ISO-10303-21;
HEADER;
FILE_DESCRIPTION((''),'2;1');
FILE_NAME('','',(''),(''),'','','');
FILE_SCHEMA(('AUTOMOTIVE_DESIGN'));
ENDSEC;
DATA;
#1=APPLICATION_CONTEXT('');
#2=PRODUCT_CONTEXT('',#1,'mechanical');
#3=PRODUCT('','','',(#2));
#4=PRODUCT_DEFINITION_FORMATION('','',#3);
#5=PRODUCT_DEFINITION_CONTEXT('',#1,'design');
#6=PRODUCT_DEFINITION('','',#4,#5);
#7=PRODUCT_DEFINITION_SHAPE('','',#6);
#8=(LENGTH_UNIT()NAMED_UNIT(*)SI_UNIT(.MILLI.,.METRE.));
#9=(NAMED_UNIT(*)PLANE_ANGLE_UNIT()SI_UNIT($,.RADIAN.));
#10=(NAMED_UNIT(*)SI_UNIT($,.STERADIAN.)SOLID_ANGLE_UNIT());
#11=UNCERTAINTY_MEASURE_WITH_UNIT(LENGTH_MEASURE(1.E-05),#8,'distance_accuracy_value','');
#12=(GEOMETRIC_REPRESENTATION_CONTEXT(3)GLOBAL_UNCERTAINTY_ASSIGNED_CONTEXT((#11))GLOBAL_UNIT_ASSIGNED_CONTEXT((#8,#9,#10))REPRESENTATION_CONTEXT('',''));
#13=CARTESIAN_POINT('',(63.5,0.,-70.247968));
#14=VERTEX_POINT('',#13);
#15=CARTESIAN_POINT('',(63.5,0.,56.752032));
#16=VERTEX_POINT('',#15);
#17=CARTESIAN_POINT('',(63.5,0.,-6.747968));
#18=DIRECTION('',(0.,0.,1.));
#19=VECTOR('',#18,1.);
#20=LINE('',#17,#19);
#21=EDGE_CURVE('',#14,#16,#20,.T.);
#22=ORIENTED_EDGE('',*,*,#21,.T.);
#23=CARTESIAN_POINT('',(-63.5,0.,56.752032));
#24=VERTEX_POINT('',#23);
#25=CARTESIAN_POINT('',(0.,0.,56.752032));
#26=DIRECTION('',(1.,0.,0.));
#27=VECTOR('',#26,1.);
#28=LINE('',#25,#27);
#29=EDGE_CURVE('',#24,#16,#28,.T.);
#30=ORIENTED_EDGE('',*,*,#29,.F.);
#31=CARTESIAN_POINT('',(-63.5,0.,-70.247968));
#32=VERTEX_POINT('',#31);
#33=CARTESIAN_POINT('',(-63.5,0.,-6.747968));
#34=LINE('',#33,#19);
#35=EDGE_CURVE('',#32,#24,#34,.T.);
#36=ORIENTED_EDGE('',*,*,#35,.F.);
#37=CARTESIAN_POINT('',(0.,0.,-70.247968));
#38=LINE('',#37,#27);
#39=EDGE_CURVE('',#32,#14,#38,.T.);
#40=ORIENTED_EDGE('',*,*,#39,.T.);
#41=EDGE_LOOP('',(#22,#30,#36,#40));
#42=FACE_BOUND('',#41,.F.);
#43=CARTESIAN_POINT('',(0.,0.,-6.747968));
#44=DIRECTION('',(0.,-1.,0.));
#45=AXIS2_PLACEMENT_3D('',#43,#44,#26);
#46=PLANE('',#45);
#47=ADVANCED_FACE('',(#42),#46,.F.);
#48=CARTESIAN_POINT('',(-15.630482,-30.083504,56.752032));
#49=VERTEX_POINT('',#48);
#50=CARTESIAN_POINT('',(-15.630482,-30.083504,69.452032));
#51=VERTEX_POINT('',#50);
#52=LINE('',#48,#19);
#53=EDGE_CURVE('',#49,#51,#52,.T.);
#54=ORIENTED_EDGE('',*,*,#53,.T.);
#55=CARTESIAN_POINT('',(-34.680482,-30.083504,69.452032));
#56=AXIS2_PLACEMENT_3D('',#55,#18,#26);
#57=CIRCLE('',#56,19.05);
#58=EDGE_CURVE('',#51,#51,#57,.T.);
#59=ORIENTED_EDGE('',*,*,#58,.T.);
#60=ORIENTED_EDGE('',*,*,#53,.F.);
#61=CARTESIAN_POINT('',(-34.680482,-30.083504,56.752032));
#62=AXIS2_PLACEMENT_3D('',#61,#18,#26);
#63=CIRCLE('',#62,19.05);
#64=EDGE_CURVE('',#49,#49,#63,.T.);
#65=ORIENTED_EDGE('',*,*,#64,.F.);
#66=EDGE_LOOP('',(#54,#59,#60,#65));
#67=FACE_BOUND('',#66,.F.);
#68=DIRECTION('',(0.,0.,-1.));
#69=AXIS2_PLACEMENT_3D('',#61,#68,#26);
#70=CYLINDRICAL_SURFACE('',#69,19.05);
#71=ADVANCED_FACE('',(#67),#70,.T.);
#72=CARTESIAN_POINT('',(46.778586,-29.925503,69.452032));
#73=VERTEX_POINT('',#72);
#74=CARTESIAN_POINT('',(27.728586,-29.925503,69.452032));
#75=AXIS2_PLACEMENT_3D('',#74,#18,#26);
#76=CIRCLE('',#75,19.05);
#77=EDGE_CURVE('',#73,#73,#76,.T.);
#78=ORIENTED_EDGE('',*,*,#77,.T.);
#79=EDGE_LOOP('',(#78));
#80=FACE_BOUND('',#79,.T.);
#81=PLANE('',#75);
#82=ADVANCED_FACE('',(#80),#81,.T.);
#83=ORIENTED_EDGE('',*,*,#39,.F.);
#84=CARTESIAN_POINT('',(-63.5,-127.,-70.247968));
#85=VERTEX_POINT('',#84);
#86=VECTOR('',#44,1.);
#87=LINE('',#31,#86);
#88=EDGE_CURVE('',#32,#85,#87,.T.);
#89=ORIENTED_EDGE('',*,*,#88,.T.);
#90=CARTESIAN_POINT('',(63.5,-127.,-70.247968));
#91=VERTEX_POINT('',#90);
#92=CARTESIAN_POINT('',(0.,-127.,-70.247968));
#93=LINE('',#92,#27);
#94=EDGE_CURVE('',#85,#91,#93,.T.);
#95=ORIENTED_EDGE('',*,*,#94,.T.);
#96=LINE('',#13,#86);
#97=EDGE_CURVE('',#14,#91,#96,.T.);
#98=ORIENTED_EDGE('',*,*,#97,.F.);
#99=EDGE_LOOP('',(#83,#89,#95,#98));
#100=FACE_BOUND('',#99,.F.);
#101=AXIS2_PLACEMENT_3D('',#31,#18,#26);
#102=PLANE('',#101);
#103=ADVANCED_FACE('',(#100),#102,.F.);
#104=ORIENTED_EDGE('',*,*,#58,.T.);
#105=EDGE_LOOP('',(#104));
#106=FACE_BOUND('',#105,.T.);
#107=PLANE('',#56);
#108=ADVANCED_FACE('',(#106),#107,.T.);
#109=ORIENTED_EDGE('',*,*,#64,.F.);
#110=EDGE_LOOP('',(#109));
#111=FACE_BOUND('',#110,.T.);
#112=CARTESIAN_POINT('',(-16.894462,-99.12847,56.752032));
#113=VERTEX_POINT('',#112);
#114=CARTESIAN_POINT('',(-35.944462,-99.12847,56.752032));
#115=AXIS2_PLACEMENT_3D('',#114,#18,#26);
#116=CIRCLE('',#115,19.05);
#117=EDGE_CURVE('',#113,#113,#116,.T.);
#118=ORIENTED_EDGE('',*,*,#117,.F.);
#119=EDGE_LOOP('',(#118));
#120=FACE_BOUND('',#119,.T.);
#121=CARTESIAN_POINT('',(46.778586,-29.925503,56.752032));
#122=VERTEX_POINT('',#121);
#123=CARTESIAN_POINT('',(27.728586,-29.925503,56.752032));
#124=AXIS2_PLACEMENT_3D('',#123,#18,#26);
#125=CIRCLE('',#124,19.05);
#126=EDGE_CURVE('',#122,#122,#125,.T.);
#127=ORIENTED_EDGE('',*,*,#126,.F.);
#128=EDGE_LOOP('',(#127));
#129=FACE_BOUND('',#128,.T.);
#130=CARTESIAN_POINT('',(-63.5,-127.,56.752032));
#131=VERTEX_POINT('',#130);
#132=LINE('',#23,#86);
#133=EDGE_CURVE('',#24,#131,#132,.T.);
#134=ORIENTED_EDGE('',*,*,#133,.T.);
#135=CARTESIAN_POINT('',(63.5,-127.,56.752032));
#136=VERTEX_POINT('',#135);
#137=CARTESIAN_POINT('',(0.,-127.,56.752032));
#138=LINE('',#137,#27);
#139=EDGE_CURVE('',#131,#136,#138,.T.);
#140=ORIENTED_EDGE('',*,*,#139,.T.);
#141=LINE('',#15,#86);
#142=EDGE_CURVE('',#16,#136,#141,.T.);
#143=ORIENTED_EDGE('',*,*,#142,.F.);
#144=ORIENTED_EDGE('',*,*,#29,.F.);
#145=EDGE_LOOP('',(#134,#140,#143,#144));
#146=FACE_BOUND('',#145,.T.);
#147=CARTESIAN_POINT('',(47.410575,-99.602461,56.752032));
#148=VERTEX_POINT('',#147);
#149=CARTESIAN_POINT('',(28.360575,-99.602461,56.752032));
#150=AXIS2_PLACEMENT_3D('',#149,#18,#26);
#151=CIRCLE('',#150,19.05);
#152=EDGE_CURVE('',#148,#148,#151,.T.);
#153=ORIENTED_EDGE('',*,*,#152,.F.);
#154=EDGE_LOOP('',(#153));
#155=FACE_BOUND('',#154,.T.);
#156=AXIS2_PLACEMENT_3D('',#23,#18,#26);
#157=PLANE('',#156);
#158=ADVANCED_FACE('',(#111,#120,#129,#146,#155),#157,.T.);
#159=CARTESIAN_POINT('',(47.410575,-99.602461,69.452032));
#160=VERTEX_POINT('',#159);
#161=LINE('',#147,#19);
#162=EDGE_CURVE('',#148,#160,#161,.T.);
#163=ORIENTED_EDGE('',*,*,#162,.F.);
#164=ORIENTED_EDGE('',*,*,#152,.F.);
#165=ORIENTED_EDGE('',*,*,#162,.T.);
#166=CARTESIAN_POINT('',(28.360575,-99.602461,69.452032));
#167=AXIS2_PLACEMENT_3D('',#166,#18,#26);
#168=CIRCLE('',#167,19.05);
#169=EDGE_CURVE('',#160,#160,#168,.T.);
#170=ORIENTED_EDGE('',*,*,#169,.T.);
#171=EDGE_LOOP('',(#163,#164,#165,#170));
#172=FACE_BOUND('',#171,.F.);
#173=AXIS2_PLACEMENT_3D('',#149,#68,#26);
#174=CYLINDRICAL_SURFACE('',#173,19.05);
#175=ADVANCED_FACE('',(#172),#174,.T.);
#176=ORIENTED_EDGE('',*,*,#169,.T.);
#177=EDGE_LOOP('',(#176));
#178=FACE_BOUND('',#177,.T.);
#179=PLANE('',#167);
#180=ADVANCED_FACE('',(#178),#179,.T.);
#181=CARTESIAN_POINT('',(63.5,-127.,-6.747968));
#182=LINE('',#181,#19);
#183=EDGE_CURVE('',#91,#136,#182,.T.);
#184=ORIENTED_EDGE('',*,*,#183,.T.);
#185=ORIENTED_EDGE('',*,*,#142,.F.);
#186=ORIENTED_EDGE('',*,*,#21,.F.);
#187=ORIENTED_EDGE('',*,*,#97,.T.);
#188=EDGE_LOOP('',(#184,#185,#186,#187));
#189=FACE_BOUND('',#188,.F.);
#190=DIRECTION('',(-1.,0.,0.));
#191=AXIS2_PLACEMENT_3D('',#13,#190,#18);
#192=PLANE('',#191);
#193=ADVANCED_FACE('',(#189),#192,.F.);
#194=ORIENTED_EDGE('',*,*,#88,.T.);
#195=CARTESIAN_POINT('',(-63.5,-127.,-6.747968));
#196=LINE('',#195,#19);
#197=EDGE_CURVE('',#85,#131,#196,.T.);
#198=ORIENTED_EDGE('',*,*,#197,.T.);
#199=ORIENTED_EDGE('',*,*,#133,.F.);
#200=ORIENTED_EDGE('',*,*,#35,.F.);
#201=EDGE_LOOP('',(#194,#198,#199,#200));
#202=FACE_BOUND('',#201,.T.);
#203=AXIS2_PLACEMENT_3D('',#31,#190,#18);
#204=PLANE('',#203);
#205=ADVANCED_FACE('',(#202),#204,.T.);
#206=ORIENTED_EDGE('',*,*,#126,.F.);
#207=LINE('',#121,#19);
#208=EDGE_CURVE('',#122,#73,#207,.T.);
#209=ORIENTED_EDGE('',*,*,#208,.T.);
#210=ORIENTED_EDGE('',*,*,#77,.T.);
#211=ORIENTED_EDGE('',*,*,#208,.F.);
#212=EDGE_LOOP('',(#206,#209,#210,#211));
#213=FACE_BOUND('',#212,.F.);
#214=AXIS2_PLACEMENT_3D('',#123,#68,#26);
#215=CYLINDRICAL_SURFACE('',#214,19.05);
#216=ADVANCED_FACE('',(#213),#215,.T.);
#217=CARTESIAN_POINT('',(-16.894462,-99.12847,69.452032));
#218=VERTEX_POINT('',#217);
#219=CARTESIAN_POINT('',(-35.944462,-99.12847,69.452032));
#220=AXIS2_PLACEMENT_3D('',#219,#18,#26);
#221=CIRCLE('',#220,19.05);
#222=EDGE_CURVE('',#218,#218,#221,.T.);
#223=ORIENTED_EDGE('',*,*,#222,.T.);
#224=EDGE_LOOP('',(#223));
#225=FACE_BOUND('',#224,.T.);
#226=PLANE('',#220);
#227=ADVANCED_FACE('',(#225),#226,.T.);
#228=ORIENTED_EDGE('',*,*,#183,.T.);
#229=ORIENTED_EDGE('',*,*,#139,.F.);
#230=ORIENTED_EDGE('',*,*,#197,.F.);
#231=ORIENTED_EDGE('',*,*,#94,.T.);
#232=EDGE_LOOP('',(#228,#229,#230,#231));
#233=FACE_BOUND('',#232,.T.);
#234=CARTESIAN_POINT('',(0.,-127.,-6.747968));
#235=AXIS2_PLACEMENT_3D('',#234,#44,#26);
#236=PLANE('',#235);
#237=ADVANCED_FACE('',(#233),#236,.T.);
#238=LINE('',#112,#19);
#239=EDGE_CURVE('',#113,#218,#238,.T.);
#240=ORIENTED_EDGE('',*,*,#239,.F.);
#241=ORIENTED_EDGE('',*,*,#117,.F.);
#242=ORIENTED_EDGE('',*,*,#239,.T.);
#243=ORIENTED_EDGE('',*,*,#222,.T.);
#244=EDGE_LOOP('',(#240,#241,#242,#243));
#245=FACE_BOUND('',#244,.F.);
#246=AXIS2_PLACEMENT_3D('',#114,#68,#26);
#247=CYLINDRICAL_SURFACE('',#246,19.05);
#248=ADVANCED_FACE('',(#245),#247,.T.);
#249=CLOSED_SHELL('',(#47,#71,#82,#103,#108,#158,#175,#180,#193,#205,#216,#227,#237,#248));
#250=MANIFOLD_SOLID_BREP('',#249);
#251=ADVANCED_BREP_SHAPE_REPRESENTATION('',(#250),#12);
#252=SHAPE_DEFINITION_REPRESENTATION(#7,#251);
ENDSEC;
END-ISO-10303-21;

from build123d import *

# Parameters (mm, degrees)
F0_W     = 127
F0_H     = 127
F1_DEPTH = 127
F2_R     = 19.05
F3_DEPTH = 12.7


with BuildPart() as f1:
    # F0 (on Front) → F1 (new body)
    with BuildSketch(Plane.XZ):
        with Locations((0, -6.747968)):
            Rectangle(F0_W, F0_H)
    extrude(amount=F1_DEPTH)

    # F2 (on face) → F3 (join)
    with BuildSketch(Plane.XY.offset(56.752032)):
        with Locations((-34.680482, -30.083504)):
            Circle(F2_R)
        with Locations((27.728586, -29.925503)):
            Circle(F2_R)
        with Locations((-35.944462, -99.12847)):
            Circle(F2_R)
        with Locations((28.360575, -99.602461)):
            Circle(F2_R)
    extrude(amount=F3_DEPTH)


solid = f1.part
